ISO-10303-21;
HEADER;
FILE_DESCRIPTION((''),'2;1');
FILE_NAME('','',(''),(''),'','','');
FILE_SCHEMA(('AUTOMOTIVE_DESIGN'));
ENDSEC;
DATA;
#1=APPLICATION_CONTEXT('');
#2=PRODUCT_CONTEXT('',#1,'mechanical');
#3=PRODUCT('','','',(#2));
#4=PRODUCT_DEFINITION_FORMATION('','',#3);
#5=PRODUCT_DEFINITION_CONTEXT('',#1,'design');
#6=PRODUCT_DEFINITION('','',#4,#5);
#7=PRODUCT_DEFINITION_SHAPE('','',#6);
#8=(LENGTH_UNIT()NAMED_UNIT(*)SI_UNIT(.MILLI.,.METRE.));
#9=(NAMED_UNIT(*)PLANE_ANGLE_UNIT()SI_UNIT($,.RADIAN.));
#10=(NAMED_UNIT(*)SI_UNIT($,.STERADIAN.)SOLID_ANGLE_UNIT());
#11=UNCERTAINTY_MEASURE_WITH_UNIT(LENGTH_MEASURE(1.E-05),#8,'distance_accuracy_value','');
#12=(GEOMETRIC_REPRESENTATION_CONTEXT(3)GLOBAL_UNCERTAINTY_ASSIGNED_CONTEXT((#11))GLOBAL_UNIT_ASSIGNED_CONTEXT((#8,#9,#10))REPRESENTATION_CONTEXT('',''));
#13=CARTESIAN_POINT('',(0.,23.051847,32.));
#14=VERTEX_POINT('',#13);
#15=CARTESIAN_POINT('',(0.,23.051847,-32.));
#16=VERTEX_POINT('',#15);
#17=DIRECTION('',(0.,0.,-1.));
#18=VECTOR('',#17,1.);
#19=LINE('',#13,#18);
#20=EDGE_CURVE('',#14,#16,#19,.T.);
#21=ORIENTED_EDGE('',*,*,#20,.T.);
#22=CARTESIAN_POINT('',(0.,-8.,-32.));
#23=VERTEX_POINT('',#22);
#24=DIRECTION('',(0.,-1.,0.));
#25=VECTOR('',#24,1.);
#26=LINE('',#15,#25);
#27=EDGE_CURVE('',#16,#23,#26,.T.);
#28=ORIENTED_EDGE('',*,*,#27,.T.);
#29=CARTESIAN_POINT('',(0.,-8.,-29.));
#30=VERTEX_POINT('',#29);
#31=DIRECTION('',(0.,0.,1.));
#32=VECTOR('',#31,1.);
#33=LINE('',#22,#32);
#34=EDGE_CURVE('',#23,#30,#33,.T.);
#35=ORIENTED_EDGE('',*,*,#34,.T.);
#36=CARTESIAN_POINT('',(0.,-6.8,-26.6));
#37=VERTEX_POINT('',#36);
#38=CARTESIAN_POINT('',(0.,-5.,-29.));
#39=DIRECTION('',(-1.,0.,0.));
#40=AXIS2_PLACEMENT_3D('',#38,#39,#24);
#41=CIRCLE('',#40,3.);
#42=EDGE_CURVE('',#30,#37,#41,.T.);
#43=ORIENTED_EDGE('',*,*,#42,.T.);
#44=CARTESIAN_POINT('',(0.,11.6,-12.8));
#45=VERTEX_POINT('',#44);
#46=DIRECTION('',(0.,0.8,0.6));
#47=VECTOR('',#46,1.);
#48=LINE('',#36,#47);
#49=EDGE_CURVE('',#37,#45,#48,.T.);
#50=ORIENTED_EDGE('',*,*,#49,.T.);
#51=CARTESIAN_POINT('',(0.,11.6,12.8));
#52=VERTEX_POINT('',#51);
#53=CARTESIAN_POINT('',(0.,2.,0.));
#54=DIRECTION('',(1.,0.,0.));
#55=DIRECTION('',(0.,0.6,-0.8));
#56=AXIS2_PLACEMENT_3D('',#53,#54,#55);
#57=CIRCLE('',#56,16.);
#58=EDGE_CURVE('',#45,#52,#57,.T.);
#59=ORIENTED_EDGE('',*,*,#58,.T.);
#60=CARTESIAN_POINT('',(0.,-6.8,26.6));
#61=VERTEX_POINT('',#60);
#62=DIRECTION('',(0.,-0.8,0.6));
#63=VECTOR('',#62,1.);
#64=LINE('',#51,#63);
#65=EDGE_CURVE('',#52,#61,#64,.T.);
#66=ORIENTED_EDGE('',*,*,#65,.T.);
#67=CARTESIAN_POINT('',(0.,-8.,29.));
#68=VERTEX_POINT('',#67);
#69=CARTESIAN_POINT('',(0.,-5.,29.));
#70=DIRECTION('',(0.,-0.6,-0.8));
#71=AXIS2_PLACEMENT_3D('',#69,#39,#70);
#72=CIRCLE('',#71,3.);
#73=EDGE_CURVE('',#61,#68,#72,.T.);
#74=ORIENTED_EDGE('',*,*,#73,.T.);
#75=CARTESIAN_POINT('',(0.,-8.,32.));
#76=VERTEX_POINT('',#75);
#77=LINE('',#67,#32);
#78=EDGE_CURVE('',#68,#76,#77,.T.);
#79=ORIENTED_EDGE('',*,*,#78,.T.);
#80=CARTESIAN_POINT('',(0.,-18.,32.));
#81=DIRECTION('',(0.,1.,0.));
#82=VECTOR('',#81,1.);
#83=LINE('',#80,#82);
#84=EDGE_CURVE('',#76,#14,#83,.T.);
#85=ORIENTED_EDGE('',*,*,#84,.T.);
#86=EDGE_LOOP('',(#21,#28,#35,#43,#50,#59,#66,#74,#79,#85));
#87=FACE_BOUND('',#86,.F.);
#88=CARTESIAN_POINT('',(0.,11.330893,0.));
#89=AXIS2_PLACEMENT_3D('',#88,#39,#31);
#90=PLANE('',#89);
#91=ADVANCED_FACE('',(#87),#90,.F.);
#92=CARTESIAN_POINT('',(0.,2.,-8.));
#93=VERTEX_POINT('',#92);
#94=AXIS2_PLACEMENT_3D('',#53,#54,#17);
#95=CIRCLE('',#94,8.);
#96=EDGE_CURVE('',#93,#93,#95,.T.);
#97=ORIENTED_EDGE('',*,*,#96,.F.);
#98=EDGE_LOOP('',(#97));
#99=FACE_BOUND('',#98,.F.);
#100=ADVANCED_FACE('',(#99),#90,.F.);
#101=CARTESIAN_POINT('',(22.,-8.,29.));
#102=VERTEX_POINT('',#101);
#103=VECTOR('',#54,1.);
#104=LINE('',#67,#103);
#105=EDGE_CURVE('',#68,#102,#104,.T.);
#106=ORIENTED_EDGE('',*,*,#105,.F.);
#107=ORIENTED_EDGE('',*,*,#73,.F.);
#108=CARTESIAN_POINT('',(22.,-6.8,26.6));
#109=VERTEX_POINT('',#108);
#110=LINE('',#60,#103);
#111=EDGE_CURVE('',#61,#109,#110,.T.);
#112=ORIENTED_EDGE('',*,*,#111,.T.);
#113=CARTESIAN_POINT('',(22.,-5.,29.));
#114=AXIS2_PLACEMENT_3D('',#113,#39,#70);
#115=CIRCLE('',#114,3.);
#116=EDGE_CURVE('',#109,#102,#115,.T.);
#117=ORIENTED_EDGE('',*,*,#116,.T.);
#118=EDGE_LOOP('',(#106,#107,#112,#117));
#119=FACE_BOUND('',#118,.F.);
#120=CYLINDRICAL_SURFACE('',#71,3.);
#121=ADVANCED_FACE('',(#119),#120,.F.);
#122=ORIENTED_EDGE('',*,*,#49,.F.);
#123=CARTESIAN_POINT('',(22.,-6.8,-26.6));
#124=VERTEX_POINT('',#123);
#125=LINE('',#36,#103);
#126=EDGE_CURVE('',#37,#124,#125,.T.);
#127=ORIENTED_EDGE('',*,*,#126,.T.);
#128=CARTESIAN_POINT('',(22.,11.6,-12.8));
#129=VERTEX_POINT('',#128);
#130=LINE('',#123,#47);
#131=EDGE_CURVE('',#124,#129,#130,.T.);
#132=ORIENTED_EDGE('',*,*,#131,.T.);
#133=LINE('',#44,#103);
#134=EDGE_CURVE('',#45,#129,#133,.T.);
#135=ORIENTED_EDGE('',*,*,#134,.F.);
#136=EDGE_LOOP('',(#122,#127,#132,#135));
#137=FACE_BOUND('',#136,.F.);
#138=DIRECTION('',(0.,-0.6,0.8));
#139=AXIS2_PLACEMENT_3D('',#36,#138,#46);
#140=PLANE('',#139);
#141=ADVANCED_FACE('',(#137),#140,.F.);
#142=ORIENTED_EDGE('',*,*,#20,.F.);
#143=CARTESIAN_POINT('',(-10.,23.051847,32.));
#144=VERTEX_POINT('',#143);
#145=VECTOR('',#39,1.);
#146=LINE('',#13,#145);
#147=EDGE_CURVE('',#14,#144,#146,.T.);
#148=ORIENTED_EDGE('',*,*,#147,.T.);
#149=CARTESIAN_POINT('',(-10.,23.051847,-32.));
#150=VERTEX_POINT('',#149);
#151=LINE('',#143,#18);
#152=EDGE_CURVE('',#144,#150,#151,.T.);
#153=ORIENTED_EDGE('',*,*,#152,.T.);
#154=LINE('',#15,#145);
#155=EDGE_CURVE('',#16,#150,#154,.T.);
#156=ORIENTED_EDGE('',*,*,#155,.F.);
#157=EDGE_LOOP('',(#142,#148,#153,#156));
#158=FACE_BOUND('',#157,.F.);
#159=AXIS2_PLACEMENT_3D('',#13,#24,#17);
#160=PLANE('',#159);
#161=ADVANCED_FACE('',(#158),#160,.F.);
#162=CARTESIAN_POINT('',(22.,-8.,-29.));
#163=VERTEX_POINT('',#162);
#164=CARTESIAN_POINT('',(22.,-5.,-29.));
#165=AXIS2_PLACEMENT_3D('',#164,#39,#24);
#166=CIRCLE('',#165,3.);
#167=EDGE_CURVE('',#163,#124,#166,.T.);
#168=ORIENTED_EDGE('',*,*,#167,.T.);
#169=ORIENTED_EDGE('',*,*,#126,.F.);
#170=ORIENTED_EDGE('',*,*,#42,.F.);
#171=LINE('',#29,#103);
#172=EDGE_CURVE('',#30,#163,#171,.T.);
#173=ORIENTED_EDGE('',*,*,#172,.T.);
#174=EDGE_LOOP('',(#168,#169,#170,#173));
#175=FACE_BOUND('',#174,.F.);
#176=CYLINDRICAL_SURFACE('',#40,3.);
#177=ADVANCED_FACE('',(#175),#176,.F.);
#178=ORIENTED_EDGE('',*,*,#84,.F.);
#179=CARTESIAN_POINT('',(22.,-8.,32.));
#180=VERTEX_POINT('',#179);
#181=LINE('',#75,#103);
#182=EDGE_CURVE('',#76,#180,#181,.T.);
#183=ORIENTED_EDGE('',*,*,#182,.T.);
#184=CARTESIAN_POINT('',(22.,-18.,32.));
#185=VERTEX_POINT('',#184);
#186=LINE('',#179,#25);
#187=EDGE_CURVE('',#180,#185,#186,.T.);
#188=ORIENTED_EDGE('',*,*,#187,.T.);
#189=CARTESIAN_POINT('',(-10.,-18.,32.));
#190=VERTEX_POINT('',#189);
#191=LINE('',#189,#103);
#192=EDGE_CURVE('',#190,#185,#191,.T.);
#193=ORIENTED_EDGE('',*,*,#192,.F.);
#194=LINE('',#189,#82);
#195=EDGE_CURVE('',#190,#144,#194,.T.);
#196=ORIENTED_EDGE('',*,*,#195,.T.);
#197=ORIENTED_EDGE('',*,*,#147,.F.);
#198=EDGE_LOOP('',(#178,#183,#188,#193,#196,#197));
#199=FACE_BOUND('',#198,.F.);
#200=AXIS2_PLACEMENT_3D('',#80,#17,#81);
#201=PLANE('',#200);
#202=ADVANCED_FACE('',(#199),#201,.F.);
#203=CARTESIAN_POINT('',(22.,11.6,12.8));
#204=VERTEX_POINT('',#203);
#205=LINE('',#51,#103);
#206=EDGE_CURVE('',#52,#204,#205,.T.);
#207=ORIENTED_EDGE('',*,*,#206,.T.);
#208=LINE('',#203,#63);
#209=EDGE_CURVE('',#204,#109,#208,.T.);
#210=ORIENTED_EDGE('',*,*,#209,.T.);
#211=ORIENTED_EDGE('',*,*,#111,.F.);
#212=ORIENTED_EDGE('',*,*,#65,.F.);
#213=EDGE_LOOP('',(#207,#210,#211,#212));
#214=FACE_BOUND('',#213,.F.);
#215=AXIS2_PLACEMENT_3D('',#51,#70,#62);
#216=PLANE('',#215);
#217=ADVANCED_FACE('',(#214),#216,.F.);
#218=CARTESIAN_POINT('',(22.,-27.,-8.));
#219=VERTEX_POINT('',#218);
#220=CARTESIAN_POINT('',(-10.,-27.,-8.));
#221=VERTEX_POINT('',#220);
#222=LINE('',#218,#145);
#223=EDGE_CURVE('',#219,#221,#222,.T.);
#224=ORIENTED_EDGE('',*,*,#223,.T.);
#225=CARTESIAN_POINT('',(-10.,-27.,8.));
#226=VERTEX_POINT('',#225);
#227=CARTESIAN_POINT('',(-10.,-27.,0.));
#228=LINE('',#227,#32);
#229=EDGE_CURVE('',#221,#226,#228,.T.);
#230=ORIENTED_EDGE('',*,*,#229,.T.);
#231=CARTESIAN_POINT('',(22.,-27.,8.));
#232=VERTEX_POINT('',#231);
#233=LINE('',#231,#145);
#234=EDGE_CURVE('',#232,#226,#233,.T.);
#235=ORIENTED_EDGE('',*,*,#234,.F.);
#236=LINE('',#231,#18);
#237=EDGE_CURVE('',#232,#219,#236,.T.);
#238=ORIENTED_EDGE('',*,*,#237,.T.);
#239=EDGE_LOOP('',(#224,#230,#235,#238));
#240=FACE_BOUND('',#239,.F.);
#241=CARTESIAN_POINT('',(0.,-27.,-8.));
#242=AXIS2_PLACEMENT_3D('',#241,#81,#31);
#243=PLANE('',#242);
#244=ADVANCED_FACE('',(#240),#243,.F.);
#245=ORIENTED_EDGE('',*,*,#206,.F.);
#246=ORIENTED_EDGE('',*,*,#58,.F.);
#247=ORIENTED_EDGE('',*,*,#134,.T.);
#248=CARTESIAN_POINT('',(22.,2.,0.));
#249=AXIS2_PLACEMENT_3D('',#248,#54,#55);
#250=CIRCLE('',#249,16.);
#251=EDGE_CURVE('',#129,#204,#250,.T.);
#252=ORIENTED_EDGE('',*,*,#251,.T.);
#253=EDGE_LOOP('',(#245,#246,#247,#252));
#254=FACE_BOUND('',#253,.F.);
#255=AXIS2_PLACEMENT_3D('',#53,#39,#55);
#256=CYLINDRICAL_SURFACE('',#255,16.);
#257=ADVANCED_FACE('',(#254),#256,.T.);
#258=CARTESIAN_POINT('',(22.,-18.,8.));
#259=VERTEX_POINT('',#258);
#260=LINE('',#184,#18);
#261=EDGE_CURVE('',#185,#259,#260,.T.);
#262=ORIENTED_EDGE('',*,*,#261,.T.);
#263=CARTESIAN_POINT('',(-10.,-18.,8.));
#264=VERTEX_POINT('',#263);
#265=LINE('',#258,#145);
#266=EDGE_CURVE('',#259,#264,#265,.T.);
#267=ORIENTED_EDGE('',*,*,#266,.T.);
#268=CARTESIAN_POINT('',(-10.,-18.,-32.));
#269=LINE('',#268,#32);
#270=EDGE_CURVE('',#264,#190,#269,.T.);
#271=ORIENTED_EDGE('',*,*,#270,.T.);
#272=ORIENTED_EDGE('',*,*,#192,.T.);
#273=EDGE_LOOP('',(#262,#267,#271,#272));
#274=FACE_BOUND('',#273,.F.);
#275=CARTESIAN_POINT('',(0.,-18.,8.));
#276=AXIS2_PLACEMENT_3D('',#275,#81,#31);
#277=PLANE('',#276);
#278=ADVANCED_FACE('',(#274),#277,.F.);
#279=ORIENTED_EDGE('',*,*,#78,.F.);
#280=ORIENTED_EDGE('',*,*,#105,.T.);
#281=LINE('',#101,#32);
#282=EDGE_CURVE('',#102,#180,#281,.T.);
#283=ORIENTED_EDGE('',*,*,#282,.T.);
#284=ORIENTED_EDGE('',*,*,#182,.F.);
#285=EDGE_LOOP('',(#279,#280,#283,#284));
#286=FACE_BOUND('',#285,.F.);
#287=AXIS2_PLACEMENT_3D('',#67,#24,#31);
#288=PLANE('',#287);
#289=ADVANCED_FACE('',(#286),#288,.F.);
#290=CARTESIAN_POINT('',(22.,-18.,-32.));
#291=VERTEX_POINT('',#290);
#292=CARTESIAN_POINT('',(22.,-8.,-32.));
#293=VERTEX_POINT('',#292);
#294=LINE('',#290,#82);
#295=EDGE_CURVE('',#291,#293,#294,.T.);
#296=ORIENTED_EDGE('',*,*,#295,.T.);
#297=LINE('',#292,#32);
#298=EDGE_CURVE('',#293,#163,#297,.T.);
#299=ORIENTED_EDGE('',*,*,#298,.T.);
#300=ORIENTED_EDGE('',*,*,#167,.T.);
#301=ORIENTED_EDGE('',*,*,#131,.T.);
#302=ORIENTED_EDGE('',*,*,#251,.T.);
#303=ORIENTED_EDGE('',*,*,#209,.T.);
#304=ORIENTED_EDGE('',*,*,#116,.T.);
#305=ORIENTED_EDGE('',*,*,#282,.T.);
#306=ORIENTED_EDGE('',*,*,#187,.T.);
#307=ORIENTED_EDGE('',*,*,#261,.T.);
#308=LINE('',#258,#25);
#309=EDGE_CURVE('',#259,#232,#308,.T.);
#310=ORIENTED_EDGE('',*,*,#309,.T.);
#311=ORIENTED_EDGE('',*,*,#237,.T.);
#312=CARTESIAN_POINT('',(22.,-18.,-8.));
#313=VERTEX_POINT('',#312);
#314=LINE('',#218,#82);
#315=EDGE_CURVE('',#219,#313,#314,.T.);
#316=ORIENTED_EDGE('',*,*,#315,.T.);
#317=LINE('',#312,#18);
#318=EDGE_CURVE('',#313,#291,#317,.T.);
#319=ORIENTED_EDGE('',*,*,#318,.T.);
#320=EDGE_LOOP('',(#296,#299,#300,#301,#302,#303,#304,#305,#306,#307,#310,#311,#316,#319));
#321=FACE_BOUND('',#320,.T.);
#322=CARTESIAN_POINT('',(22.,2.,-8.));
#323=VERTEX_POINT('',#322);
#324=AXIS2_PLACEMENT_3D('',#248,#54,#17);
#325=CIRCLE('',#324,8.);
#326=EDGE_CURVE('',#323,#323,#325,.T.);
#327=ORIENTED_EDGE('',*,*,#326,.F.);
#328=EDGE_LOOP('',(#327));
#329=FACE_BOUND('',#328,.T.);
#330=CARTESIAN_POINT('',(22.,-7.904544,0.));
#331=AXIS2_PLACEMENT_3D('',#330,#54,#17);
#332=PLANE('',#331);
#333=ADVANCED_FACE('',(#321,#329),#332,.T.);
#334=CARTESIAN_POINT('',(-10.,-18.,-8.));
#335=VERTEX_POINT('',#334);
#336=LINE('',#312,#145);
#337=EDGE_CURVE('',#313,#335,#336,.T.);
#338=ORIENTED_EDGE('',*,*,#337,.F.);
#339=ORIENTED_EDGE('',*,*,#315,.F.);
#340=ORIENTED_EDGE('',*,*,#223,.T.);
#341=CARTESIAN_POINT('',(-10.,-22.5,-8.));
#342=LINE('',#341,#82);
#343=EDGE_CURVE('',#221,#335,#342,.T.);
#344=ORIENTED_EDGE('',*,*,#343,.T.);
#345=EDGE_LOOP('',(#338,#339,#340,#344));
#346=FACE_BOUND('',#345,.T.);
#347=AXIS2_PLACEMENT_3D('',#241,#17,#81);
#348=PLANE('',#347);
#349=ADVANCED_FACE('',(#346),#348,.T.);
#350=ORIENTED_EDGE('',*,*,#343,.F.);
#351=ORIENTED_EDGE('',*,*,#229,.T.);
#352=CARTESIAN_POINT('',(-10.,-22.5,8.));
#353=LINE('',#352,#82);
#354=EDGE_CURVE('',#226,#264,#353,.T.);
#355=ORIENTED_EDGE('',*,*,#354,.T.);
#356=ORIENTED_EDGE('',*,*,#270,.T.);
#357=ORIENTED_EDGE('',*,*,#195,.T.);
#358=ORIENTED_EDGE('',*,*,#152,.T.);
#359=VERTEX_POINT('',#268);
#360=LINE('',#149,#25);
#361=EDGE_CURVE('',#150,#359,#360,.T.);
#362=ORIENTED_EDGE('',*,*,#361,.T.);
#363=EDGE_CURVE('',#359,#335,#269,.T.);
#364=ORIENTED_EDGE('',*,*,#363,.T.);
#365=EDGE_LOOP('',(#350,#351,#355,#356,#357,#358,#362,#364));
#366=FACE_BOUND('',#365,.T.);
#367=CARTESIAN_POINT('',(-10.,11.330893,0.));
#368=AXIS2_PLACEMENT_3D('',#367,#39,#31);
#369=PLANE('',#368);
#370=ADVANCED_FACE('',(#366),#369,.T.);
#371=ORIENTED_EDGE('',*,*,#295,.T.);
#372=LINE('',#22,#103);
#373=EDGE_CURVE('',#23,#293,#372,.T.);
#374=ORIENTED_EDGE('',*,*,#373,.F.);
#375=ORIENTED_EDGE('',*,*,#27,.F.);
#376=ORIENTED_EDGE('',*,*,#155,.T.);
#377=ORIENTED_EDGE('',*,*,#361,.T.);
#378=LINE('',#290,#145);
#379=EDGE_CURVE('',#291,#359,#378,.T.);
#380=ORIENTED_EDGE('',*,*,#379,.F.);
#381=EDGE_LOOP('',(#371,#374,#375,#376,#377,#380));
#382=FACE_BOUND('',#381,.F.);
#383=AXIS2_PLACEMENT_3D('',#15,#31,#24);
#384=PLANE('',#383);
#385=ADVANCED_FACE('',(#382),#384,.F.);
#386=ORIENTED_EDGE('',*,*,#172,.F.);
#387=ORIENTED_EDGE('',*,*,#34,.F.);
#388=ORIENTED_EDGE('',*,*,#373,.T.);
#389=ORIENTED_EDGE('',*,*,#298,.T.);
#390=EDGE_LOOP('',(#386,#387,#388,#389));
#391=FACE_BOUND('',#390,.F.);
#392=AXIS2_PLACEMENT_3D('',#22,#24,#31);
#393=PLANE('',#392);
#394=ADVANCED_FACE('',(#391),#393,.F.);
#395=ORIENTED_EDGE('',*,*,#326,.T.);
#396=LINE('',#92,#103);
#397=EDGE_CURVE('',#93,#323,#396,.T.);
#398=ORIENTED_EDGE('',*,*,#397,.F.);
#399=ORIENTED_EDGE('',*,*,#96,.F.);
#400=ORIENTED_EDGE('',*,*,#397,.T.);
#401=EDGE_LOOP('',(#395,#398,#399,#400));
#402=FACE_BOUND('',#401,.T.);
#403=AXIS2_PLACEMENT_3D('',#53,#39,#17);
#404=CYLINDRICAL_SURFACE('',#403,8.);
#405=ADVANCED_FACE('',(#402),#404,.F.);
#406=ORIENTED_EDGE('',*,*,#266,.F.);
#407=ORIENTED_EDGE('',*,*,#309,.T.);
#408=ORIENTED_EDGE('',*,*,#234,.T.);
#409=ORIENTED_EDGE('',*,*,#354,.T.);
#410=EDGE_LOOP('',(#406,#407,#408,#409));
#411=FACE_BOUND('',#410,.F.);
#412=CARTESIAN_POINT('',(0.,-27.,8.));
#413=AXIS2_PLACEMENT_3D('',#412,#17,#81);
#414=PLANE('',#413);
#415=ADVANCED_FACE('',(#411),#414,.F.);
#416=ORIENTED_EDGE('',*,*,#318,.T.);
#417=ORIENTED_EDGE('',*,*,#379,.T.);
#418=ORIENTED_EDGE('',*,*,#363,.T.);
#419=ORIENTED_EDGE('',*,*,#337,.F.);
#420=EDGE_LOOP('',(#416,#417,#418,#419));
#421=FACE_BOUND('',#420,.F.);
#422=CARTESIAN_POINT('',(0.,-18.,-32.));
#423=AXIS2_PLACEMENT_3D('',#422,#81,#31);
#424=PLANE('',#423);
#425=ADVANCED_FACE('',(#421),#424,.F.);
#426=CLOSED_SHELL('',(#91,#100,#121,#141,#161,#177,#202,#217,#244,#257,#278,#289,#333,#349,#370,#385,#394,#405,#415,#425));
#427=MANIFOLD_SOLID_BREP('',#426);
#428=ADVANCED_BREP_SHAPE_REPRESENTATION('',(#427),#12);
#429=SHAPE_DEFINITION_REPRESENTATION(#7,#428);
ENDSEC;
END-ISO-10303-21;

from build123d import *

# Parameters (mm, degrees)
SKETCH1_R           = 8
BOSS_EXTRUDE2_DEPTH = 22
SKETCH2_R           = 8
SKETCH2_W           = 16
SKETCH2_H           = 9
BOSS_EXTRUDE4_DEPTH = 10


with BuildPart() as part:
    # Sketch1 → Boss-Extrude2 (new body)
    with BuildSketch(Plane(origin=(0, 0, 0), x_dir=(0, 0, -1), z_dir=(1, 0, 0))):
        with BuildLine():
            Line((32, -8), (29, -8))
            ThreePointArc((29, -8), (27.658359214, -7.683281573), (26.6, -6.8))
            Line((26.6, -6.8), (12.8, 11.6))
            ThreePointArc((12.8, 11.6), (0, 18), (-12.8, 11.6))
            Line((-12.8, 11.6), (-26.6, -6.8))
            ThreePointArc((-26.6, -6.8), (-27.658359214, -7.683281573), (-29, -8))
            Line((-29, -8), (-32, -8))
            Line((-32, -8), (-32, -18))
            Line((-32, -18), (-8, -18))
            Line((-8, -18), (-8, -27))
            Line((-8, -27), (8, -27))
            Line((8, -27), (8, -18))
            Line((8, -18), (32, -18))
            Line((32, -18), (32, -8))
        make_face()
        with Locations((0, 2)):
            Circle(SKETCH1_R, mode=Mode.SUBTRACT)
    extrude(amount=BOSS_EXTRUDE2_DEPTH)

    # Sketch2 → Boss-Extrude4 (add)
    with BuildSketch(Plane.ZY):
        with BuildLine():
            Line((-32, 23.051846753), (-32, -8))
            Line((-32, -8), (-29, -8))
            ThreePointArc((-29, -8), (-27.658359214, -7.683281573), (-26.6, -6.8))
            Line((-26.6, -6.8), (-12.8, 11.6))
            ThreePointArc((-12.8, 11.6), (0, 18), (12.8, 11.6))
            Line((12.8, 11.6), (26.6, -6.8))
            ThreePointArc((26.6, -6.8), (27.658359214, -7.683281573), (29, -8))
            Line((29, -8), (32, -8))
            Line((32, -8), (32, 23.051846753))
            Line((32, 23.051846753), (-32, 23.051846753))
        make_face()
        with BuildLine():
            Line((-32, -18), (-8, -18))
            Line((-8, -18), (8, -18))
            Line((8, -18), (32, -18))
            Line((32, -18), (32, -8))
            Line((32, -8), (29, -8))
            ThreePointArc((29, -8), (27.658359214, -7.683281573), (26.6, -6.8))
            Line((26.6, -6.8), (12.8, 11.6))
            ThreePointArc((12.8, 11.6), (0, 18), (-12.8, 11.6))
            Line((-12.8, 11.6), (-26.6, -6.8))
            ThreePointArc((-26.6, -6.8), (-27.658359214, -7.683281573), (-29, -8))
            Line((-29, -8), (-32, -8))
            Line((-32, -8), (-32, -18))
        make_face()
        with Locations((0, 2)):
            Circle(SKETCH2_R, mode=Mode.SUBTRACT)
        with Locations((0, -22.5)):
            Rectangle(SKETCH2_W, SKETCH2_H)
        with Locations((0, 2)):
            Circle(SKETCH2_R)
    extrude(amount=BOSS_EXTRUDE4_DEPTH)


solid = part.part
